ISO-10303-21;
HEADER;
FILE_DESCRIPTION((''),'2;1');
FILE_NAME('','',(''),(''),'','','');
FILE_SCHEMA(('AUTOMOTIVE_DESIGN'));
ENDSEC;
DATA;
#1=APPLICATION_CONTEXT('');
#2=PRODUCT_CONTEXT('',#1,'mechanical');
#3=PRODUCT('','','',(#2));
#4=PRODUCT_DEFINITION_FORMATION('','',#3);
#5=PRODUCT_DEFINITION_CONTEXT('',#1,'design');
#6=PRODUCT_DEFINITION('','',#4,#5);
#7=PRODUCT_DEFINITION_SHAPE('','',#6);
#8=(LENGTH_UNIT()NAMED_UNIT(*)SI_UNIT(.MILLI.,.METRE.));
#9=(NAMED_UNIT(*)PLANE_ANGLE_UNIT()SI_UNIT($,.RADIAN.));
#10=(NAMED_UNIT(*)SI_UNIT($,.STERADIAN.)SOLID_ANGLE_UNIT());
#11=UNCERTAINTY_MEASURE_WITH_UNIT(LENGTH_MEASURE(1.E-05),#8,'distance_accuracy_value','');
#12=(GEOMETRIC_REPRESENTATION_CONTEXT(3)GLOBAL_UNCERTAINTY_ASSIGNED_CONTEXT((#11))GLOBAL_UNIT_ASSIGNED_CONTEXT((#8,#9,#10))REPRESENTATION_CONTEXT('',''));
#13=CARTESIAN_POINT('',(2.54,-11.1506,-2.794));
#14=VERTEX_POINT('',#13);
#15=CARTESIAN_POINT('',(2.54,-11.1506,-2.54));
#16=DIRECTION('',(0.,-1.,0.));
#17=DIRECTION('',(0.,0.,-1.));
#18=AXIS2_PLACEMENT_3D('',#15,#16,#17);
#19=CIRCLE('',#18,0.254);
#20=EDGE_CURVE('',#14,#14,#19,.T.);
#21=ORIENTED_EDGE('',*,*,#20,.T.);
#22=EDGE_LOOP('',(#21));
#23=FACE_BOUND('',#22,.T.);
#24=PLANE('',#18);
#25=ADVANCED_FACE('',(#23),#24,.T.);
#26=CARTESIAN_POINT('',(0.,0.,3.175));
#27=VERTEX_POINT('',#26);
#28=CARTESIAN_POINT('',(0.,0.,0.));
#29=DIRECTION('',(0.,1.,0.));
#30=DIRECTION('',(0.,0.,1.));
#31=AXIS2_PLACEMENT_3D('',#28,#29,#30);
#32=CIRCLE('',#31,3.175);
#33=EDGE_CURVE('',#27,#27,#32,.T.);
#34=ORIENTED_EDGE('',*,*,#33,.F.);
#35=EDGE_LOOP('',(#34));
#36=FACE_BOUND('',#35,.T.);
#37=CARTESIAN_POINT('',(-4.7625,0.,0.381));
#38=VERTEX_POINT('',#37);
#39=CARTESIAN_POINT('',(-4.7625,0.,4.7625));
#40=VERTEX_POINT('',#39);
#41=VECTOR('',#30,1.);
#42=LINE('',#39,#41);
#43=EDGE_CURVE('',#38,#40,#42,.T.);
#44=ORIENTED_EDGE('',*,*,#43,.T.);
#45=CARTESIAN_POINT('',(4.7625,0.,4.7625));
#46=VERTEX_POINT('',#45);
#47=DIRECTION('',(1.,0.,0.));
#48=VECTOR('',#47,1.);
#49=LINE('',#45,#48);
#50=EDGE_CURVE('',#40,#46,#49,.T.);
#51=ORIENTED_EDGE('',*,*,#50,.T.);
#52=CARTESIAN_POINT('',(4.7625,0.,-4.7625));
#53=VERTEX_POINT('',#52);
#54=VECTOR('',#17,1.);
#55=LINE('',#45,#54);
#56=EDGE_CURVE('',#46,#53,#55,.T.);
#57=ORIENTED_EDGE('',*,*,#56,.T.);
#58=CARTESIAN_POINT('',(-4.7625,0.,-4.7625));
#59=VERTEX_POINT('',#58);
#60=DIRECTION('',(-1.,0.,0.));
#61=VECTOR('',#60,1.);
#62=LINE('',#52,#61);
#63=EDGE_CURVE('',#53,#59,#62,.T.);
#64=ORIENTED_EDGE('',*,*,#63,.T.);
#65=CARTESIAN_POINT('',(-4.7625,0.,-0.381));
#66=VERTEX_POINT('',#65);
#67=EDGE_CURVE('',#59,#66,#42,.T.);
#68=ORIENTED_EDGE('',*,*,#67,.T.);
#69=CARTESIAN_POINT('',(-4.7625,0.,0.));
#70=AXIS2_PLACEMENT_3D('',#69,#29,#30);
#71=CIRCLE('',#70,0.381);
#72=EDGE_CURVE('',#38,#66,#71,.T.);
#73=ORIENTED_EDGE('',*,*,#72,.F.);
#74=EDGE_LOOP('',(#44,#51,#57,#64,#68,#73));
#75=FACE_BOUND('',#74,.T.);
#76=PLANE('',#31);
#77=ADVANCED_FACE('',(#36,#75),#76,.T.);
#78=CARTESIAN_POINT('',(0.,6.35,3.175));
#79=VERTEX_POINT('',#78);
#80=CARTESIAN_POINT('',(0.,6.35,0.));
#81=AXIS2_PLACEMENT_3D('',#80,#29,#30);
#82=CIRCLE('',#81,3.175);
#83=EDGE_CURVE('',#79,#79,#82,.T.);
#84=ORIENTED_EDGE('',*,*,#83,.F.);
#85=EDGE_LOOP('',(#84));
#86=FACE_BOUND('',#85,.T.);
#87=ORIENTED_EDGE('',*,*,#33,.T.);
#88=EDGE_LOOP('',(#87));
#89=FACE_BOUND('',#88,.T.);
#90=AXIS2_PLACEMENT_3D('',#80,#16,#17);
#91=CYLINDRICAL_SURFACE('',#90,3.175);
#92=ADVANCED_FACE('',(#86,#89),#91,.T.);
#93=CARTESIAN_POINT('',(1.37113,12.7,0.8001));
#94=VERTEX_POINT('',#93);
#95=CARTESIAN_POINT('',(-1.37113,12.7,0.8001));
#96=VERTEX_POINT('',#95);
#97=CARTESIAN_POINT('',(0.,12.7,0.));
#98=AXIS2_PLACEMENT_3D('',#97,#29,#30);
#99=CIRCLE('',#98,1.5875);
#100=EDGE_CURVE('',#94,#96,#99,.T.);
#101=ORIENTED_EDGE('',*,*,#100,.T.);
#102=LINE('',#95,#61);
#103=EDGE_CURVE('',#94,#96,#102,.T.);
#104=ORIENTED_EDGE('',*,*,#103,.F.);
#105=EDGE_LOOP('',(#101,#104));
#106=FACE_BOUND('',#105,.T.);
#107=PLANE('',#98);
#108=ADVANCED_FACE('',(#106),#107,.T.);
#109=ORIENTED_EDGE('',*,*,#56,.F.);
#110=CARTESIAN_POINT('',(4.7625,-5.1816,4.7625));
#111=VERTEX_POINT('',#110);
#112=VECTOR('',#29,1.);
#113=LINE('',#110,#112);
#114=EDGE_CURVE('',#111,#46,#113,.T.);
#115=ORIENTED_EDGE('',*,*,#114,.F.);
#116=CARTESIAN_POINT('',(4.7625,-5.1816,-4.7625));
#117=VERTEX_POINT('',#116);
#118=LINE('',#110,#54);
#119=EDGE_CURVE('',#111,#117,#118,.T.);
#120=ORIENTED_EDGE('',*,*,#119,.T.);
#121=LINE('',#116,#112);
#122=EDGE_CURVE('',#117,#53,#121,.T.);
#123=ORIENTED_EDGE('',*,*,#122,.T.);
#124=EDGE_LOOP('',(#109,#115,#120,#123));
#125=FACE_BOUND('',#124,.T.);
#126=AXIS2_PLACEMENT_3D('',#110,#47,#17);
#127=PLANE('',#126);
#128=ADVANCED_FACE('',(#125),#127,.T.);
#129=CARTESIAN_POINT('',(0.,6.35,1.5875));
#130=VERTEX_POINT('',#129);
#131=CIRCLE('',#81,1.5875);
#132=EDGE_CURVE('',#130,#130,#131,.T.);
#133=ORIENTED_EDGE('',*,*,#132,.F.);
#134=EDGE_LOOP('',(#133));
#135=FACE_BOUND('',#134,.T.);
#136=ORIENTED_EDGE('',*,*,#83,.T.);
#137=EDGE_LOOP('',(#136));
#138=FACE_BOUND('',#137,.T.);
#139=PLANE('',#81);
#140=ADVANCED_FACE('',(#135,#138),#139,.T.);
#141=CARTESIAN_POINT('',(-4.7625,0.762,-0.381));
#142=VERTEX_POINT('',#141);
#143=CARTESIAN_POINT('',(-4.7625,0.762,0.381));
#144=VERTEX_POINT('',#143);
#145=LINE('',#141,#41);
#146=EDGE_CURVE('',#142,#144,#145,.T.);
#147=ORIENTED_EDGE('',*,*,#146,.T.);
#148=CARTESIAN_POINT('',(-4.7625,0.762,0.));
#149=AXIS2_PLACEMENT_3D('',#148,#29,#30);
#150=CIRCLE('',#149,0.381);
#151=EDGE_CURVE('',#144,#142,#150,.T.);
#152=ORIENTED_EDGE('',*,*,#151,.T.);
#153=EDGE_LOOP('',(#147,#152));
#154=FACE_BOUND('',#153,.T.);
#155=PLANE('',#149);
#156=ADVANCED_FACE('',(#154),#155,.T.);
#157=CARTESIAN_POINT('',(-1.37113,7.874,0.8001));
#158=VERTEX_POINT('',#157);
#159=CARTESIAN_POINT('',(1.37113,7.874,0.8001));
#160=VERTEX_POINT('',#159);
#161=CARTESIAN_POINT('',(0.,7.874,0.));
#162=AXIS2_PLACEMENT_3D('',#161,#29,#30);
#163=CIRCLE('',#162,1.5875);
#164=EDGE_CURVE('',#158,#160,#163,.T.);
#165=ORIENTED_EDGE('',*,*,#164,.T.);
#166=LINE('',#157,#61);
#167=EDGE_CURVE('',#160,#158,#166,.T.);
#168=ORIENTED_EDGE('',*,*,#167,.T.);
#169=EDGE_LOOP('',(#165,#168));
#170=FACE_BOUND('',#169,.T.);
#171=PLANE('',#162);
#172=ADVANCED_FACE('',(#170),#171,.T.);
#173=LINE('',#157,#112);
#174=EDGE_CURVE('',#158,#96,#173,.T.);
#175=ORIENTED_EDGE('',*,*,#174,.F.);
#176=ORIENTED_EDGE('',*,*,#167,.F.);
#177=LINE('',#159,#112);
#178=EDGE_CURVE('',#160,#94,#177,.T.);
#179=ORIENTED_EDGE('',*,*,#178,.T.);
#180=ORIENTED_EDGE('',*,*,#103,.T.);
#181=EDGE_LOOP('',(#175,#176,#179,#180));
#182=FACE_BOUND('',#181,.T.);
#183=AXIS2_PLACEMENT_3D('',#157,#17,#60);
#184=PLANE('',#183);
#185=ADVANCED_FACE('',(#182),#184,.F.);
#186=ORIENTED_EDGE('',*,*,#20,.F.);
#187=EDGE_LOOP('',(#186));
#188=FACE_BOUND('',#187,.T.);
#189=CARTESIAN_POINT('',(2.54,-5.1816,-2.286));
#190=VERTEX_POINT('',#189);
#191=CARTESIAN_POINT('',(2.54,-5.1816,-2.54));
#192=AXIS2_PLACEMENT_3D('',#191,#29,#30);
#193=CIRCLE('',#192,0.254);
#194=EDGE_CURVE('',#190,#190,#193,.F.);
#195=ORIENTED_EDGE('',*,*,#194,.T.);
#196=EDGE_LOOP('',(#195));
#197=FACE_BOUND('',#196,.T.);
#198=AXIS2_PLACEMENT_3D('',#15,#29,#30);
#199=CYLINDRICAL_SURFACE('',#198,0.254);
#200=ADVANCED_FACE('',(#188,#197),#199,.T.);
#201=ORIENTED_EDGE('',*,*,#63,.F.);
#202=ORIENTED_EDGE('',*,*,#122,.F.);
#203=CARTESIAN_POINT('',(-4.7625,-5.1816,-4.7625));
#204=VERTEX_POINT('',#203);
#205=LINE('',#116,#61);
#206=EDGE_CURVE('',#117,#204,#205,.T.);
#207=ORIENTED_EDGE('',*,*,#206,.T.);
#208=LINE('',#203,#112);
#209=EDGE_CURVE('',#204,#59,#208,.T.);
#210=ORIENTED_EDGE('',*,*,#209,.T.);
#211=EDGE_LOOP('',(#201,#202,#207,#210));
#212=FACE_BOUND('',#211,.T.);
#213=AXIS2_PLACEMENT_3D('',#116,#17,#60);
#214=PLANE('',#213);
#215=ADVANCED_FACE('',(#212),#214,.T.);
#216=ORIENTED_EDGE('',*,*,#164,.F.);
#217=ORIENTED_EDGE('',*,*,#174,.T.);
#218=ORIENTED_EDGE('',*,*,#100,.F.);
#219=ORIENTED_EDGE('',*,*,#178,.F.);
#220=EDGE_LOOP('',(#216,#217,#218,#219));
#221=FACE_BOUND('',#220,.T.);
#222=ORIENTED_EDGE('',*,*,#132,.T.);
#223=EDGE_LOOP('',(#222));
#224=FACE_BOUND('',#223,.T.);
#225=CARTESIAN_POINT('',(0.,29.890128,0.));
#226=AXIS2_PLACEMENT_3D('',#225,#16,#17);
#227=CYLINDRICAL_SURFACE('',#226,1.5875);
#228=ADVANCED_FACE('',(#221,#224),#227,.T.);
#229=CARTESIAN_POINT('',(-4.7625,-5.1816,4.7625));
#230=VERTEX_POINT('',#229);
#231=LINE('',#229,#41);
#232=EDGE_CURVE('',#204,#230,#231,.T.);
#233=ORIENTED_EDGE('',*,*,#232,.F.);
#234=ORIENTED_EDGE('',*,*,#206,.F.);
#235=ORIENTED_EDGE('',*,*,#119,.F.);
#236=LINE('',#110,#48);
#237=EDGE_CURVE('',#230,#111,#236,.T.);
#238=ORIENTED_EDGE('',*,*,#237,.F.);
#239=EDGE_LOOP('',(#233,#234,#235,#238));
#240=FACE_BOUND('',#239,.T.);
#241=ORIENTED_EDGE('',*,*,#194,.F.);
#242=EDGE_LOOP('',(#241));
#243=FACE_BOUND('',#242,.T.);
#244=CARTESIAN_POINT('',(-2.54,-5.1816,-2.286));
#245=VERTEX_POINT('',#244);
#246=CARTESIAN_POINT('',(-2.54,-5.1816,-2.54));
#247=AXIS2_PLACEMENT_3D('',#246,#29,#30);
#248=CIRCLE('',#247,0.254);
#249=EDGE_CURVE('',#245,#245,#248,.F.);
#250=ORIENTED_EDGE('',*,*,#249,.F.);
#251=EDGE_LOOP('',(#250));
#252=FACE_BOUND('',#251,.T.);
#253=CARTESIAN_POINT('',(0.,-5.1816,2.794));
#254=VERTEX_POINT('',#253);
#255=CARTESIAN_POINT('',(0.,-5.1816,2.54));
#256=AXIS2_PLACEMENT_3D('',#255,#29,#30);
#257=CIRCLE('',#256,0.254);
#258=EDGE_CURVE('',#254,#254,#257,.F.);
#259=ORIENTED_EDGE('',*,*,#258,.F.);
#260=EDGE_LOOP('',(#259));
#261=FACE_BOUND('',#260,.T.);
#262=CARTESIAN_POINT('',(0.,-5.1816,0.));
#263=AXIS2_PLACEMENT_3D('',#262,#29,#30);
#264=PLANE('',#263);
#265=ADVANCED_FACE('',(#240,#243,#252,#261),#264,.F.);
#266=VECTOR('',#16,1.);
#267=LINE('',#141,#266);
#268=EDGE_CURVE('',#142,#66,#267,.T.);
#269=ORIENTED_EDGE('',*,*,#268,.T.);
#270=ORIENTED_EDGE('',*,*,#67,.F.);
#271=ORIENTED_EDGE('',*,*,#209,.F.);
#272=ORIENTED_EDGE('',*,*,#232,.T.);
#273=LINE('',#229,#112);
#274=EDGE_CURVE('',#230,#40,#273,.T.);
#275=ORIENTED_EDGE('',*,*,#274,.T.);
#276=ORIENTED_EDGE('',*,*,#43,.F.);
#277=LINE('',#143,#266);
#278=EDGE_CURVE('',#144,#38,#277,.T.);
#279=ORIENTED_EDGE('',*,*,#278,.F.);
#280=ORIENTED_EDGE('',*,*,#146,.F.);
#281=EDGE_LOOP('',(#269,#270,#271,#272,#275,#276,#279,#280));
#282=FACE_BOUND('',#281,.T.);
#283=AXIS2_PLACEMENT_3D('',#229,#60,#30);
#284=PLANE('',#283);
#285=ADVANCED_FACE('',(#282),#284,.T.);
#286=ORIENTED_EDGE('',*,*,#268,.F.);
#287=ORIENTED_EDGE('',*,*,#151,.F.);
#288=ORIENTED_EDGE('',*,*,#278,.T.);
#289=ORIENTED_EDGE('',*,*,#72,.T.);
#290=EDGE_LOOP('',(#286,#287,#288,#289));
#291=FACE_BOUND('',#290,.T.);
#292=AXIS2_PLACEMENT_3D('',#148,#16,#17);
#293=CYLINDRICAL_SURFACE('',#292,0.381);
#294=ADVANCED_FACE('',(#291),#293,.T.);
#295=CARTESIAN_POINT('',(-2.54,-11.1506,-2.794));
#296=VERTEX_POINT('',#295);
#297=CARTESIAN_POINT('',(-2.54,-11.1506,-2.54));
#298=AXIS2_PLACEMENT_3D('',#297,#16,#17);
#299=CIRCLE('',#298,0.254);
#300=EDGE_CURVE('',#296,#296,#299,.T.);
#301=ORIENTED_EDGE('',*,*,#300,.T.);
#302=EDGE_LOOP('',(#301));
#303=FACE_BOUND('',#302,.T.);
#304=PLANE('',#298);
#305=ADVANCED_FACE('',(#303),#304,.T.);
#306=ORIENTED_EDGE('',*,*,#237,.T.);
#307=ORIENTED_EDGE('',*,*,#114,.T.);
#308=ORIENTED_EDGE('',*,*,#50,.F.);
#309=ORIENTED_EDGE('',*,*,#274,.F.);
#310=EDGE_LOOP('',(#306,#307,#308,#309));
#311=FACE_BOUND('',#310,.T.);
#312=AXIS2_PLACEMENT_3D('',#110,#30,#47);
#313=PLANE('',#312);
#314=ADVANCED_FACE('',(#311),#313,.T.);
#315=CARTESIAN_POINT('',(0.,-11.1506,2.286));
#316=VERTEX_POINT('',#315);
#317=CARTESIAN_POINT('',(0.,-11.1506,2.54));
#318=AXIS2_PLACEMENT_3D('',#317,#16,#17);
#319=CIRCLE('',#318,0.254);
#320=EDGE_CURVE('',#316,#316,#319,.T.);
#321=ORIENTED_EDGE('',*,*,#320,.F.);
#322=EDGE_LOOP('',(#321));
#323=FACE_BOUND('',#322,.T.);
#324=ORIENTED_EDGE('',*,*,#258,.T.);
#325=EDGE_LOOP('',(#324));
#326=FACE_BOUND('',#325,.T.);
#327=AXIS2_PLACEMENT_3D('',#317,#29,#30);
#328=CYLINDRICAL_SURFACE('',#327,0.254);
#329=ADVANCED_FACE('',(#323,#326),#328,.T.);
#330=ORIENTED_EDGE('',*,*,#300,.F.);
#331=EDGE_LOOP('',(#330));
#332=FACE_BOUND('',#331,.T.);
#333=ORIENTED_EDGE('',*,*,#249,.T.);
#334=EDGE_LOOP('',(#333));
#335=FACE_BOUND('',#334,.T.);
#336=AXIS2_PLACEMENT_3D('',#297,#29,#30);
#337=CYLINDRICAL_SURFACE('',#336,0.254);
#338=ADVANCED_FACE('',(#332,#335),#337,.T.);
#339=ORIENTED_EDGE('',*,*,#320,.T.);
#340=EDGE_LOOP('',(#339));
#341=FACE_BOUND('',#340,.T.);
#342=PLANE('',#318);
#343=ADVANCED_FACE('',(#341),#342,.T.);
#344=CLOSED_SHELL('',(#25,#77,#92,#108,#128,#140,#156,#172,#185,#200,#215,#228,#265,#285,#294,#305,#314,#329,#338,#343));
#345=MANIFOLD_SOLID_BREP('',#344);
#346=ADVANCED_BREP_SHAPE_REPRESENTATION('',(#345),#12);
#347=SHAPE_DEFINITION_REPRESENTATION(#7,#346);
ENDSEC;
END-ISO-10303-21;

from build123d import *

# Parameters (mm, degrees)
SKETCH1_W           = 9.525
SKETCH1_H           = 9.525
BOSS_EXTRUDE1_DEPTH = 5.1816
SKETCH2_R           = 3.175
BOSS_EXTRUDE2_DEPTH = 6.35
BOSS_EXTRUDE3_DEPTH = 0.762
SKETCH4_R           = 1.5875
BOSS_EXTRUDE4_DEPTH = 6.35
CUT_EXTRUDE1_DEPTH  = 4.826
SKETCH6_R           = 0.254
BOSS_EXTRUDE5_DEPTH = 5.969


with BuildPart() as part:
    # Sketch1 → Boss-Extrude1 (new body)
    with BuildSketch(Plane(origin=(0, 0, 0), x_dir=(1, 0, 0), z_dir=(0, 1, 0))):
        Rectangle(SKETCH1_W, SKETCH1_H)
    extrude(amount=-BOSS_EXTRUDE1_DEPTH)

    # Sketch2 → Boss-Extrude2 (add)
    with BuildSketch(Plane(origin=(0, 0, 0), x_dir=(1, 0, 0), z_dir=(0, 1, 0))):
        Circle(SKETCH2_R)
    extrude(amount=BOSS_EXTRUDE2_DEPTH)

    # Sketch3 → Boss-Extrude3 (add)
    with BuildSketch(Plane(origin=(0, 0, 0), x_dir=(1, 0, 0), z_dir=(0, 1, 0))):
        with BuildLine():
            Line((-4.7625, 0.381), (-4.7625, -0.381))
            ThreePointArc((-4.7625, -0.381), (-4.3815, 0), (-4.7625, 0.381))
        make_face()
    extrude(amount=BOSS_EXTRUDE3_DEPTH)

    # Sketch4 → Boss-Extrude4 (add)
    with BuildSketch(Plane(origin=(0, 6.35, 0), x_dir=(1, 0, 0), z_dir=(0, 1, 0))):
        Circle(SKETCH4_R)
    extrude(amount=BOSS_EXTRUDE4_DEPTH)

    # Sketch5 → Cut-Extrude1 (cut)
    with BuildSketch(Plane(origin=(0, 12.7, 0), x_dir=(1, 0, 0), z_dir=(0, 1, 0))):
        with BuildLine():
            Line((-1.371129549, -0.8001), (1.371129549, -0.8001))
            ThreePointArc((1.371129549, -0.8001), (0, -1.5875), (-1.371129549, -0.8001))
        make_face()
    extrude(amount=-CUT_EXTRUDE1_DEPTH, mode=Mode.SUBTRACT)

    # Sketch6 → Boss-Extrude5 (add)
    with BuildSketch(Plane.XZ.offset(5.1816)):
        with Locations((0, 2.54)):
            Circle(SKETCH6_R)
        with Locations((-2.54, -2.54)):
            Circle(SKETCH6_R)
        with Locations((2.54, -2.54)):
            Circle(SKETCH6_R)
    extrude(amount=BOSS_EXTRUDE5_DEPTH)


solid = part.part
